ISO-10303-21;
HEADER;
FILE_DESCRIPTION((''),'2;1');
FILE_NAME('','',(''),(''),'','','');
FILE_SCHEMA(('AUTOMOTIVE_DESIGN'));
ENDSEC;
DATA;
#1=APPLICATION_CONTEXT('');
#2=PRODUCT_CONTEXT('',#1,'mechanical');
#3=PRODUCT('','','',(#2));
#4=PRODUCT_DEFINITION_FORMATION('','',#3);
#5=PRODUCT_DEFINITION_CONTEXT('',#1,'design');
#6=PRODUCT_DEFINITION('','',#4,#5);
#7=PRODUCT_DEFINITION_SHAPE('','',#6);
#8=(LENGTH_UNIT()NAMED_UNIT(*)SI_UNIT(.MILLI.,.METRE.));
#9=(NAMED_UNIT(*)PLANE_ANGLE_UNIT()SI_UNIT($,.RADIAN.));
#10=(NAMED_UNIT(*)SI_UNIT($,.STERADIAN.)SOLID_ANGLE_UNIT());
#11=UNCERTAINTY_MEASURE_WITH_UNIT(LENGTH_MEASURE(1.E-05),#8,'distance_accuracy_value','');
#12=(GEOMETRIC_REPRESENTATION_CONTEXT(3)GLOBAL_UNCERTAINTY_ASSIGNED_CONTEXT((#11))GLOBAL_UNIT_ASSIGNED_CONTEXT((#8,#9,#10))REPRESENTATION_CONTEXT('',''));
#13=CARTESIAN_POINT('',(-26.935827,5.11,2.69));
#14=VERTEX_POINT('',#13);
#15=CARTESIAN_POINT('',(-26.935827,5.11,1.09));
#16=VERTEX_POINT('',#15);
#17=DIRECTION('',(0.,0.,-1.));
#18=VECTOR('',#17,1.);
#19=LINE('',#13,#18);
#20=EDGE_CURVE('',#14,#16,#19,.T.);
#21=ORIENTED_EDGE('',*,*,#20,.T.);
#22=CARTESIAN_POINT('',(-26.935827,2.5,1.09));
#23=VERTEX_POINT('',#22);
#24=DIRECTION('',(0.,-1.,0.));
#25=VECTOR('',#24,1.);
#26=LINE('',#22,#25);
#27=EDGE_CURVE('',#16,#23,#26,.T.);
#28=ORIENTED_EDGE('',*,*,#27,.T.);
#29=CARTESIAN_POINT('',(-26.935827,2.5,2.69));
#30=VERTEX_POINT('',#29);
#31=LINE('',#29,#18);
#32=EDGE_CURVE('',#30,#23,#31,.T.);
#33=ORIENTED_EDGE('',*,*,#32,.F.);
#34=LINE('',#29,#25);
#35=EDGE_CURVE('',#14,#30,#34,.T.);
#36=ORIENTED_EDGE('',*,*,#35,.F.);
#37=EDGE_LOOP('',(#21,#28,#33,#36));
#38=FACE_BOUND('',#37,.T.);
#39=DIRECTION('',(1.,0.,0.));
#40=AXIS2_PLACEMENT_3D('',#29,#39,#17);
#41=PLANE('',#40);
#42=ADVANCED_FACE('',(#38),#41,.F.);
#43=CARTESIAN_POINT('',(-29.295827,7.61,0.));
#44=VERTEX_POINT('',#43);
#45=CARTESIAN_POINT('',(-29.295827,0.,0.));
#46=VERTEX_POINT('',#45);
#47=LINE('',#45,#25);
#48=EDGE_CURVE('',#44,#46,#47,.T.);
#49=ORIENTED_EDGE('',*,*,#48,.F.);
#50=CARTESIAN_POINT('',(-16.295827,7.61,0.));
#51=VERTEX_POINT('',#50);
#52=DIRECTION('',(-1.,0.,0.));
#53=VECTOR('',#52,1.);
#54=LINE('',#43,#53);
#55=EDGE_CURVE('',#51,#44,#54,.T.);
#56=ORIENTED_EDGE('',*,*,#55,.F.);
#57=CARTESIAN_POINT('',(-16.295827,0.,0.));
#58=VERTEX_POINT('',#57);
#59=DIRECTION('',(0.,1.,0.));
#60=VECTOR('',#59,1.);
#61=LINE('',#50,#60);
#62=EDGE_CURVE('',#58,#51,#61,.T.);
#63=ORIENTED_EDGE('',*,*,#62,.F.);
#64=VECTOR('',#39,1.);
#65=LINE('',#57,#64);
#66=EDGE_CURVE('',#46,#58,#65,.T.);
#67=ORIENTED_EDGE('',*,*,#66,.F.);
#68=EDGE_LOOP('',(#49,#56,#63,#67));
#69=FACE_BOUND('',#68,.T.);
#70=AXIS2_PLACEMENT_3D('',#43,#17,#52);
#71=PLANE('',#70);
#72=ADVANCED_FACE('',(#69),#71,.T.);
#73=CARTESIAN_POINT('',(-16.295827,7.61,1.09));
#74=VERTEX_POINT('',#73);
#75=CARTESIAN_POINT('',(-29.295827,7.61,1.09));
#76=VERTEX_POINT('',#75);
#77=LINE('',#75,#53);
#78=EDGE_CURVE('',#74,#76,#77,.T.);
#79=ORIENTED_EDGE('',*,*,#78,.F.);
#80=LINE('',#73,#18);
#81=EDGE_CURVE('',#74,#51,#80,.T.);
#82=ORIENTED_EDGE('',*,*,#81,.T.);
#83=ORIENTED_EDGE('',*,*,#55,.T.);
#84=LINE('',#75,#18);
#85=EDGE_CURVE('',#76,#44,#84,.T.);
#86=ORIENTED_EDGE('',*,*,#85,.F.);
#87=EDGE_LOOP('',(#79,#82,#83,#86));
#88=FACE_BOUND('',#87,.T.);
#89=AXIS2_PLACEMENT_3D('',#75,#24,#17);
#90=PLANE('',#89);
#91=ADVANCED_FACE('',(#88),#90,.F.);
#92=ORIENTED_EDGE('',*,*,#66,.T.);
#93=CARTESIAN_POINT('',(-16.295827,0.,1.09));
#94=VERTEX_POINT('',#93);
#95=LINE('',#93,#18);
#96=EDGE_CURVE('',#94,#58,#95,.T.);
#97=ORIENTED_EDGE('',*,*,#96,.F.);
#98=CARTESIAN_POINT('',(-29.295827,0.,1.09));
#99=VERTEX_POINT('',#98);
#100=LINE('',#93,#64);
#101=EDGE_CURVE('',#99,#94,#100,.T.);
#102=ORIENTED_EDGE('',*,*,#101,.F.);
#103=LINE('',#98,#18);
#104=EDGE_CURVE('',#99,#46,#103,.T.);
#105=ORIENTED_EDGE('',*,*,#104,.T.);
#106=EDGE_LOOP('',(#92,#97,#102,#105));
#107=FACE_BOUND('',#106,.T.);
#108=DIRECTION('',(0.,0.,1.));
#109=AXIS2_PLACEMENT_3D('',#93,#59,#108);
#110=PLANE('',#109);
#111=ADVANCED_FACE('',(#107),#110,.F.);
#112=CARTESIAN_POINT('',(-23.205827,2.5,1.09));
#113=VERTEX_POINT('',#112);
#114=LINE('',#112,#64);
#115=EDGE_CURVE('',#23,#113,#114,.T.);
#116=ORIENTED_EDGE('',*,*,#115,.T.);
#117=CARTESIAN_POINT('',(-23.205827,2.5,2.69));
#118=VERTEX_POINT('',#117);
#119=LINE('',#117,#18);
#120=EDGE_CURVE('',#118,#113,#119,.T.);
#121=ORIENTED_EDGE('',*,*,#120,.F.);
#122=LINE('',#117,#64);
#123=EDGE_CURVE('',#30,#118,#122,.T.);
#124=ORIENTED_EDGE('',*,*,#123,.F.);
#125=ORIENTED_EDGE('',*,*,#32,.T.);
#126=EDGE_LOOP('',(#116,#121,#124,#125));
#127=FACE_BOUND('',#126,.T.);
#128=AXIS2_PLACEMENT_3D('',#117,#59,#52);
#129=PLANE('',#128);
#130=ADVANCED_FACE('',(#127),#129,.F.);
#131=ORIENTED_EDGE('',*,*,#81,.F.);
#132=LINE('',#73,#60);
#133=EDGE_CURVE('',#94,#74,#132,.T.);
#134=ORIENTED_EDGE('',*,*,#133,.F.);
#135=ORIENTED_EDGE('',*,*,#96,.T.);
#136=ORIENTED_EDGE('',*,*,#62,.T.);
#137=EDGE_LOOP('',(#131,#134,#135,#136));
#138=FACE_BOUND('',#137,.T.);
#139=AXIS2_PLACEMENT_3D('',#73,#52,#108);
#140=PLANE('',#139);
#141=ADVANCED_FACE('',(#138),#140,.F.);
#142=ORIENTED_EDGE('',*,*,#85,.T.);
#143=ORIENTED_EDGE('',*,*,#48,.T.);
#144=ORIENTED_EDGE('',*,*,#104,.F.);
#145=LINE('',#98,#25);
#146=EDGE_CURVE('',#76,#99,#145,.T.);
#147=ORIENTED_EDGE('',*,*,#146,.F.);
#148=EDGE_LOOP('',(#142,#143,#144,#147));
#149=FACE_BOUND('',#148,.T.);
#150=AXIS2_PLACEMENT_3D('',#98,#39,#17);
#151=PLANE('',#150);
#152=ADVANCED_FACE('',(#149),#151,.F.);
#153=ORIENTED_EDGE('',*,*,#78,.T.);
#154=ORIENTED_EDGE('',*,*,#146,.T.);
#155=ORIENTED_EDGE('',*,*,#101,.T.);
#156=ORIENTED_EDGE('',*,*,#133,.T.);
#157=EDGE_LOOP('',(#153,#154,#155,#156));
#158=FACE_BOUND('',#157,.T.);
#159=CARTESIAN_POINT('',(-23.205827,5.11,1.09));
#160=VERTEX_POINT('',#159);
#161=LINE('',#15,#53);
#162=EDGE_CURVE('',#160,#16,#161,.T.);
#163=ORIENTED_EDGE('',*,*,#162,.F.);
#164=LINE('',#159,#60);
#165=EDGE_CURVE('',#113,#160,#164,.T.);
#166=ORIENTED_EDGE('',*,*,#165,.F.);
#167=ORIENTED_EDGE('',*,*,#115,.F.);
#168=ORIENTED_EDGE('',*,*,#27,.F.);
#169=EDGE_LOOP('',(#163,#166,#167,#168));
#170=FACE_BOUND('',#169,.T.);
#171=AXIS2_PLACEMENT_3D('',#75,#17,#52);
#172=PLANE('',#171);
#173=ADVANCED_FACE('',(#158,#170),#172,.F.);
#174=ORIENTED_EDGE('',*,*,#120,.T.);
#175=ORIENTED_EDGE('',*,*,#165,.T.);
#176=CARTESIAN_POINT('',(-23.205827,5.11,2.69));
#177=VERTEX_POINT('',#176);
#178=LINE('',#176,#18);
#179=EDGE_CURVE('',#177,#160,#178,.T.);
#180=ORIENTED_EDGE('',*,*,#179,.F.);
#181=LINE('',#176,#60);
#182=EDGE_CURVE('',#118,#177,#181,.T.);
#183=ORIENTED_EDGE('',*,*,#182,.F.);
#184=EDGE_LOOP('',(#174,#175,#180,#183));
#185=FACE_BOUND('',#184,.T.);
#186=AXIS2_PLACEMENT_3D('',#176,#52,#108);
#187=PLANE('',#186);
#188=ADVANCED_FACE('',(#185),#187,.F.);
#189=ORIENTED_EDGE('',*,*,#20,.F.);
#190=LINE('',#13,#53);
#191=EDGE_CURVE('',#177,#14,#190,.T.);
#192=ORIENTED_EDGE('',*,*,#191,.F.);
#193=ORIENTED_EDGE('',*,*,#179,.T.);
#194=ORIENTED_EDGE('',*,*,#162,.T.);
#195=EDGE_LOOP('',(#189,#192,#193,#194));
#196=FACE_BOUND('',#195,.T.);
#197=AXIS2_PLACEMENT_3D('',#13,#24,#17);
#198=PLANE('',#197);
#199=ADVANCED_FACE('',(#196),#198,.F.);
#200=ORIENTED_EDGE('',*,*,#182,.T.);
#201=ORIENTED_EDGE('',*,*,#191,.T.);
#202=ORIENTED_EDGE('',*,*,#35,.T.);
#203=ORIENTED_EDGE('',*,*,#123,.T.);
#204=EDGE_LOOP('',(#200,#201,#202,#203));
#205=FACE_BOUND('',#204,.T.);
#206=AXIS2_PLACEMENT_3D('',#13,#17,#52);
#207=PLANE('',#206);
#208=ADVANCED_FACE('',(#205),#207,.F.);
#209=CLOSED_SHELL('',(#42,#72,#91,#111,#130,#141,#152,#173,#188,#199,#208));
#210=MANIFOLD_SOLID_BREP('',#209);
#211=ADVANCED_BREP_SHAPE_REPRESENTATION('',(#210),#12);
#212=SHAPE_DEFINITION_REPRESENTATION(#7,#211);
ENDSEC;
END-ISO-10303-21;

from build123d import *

# Parameters (mm, degrees)
ESQUISSE1_W        = 13
ESQUISSE1_H        = 7.61
BOSS_EXTRU_3_DEPTH = 1.09
ESQUISSE4_W        = 3.73
ESQUISSE4_H        = 2.61
BOSS_EXTRU_4_DEPTH = 1.6


with BuildPart() as part:
    # Esquisse1 → Boss.-Extru.3 (new body)
    with BuildSketch(Plane.XY):
        with Locations((-22.795826716, 3.805)):
            Rectangle(ESQUISSE1_W, ESQUISSE1_H)
    extrude(amount=BOSS_EXTRU_3_DEPTH)

    # Esquisse4 → Boss.-Extru.4 (add)
    with BuildSketch(Plane.XY.offset(1.09)):
        with Locations((-25.070826716, 3.805)):
            Rectangle(ESQUISSE4_W, ESQUISSE4_H)
    extrude(amount=BOSS_EXTRU_4_DEPTH)


solid = part.part
